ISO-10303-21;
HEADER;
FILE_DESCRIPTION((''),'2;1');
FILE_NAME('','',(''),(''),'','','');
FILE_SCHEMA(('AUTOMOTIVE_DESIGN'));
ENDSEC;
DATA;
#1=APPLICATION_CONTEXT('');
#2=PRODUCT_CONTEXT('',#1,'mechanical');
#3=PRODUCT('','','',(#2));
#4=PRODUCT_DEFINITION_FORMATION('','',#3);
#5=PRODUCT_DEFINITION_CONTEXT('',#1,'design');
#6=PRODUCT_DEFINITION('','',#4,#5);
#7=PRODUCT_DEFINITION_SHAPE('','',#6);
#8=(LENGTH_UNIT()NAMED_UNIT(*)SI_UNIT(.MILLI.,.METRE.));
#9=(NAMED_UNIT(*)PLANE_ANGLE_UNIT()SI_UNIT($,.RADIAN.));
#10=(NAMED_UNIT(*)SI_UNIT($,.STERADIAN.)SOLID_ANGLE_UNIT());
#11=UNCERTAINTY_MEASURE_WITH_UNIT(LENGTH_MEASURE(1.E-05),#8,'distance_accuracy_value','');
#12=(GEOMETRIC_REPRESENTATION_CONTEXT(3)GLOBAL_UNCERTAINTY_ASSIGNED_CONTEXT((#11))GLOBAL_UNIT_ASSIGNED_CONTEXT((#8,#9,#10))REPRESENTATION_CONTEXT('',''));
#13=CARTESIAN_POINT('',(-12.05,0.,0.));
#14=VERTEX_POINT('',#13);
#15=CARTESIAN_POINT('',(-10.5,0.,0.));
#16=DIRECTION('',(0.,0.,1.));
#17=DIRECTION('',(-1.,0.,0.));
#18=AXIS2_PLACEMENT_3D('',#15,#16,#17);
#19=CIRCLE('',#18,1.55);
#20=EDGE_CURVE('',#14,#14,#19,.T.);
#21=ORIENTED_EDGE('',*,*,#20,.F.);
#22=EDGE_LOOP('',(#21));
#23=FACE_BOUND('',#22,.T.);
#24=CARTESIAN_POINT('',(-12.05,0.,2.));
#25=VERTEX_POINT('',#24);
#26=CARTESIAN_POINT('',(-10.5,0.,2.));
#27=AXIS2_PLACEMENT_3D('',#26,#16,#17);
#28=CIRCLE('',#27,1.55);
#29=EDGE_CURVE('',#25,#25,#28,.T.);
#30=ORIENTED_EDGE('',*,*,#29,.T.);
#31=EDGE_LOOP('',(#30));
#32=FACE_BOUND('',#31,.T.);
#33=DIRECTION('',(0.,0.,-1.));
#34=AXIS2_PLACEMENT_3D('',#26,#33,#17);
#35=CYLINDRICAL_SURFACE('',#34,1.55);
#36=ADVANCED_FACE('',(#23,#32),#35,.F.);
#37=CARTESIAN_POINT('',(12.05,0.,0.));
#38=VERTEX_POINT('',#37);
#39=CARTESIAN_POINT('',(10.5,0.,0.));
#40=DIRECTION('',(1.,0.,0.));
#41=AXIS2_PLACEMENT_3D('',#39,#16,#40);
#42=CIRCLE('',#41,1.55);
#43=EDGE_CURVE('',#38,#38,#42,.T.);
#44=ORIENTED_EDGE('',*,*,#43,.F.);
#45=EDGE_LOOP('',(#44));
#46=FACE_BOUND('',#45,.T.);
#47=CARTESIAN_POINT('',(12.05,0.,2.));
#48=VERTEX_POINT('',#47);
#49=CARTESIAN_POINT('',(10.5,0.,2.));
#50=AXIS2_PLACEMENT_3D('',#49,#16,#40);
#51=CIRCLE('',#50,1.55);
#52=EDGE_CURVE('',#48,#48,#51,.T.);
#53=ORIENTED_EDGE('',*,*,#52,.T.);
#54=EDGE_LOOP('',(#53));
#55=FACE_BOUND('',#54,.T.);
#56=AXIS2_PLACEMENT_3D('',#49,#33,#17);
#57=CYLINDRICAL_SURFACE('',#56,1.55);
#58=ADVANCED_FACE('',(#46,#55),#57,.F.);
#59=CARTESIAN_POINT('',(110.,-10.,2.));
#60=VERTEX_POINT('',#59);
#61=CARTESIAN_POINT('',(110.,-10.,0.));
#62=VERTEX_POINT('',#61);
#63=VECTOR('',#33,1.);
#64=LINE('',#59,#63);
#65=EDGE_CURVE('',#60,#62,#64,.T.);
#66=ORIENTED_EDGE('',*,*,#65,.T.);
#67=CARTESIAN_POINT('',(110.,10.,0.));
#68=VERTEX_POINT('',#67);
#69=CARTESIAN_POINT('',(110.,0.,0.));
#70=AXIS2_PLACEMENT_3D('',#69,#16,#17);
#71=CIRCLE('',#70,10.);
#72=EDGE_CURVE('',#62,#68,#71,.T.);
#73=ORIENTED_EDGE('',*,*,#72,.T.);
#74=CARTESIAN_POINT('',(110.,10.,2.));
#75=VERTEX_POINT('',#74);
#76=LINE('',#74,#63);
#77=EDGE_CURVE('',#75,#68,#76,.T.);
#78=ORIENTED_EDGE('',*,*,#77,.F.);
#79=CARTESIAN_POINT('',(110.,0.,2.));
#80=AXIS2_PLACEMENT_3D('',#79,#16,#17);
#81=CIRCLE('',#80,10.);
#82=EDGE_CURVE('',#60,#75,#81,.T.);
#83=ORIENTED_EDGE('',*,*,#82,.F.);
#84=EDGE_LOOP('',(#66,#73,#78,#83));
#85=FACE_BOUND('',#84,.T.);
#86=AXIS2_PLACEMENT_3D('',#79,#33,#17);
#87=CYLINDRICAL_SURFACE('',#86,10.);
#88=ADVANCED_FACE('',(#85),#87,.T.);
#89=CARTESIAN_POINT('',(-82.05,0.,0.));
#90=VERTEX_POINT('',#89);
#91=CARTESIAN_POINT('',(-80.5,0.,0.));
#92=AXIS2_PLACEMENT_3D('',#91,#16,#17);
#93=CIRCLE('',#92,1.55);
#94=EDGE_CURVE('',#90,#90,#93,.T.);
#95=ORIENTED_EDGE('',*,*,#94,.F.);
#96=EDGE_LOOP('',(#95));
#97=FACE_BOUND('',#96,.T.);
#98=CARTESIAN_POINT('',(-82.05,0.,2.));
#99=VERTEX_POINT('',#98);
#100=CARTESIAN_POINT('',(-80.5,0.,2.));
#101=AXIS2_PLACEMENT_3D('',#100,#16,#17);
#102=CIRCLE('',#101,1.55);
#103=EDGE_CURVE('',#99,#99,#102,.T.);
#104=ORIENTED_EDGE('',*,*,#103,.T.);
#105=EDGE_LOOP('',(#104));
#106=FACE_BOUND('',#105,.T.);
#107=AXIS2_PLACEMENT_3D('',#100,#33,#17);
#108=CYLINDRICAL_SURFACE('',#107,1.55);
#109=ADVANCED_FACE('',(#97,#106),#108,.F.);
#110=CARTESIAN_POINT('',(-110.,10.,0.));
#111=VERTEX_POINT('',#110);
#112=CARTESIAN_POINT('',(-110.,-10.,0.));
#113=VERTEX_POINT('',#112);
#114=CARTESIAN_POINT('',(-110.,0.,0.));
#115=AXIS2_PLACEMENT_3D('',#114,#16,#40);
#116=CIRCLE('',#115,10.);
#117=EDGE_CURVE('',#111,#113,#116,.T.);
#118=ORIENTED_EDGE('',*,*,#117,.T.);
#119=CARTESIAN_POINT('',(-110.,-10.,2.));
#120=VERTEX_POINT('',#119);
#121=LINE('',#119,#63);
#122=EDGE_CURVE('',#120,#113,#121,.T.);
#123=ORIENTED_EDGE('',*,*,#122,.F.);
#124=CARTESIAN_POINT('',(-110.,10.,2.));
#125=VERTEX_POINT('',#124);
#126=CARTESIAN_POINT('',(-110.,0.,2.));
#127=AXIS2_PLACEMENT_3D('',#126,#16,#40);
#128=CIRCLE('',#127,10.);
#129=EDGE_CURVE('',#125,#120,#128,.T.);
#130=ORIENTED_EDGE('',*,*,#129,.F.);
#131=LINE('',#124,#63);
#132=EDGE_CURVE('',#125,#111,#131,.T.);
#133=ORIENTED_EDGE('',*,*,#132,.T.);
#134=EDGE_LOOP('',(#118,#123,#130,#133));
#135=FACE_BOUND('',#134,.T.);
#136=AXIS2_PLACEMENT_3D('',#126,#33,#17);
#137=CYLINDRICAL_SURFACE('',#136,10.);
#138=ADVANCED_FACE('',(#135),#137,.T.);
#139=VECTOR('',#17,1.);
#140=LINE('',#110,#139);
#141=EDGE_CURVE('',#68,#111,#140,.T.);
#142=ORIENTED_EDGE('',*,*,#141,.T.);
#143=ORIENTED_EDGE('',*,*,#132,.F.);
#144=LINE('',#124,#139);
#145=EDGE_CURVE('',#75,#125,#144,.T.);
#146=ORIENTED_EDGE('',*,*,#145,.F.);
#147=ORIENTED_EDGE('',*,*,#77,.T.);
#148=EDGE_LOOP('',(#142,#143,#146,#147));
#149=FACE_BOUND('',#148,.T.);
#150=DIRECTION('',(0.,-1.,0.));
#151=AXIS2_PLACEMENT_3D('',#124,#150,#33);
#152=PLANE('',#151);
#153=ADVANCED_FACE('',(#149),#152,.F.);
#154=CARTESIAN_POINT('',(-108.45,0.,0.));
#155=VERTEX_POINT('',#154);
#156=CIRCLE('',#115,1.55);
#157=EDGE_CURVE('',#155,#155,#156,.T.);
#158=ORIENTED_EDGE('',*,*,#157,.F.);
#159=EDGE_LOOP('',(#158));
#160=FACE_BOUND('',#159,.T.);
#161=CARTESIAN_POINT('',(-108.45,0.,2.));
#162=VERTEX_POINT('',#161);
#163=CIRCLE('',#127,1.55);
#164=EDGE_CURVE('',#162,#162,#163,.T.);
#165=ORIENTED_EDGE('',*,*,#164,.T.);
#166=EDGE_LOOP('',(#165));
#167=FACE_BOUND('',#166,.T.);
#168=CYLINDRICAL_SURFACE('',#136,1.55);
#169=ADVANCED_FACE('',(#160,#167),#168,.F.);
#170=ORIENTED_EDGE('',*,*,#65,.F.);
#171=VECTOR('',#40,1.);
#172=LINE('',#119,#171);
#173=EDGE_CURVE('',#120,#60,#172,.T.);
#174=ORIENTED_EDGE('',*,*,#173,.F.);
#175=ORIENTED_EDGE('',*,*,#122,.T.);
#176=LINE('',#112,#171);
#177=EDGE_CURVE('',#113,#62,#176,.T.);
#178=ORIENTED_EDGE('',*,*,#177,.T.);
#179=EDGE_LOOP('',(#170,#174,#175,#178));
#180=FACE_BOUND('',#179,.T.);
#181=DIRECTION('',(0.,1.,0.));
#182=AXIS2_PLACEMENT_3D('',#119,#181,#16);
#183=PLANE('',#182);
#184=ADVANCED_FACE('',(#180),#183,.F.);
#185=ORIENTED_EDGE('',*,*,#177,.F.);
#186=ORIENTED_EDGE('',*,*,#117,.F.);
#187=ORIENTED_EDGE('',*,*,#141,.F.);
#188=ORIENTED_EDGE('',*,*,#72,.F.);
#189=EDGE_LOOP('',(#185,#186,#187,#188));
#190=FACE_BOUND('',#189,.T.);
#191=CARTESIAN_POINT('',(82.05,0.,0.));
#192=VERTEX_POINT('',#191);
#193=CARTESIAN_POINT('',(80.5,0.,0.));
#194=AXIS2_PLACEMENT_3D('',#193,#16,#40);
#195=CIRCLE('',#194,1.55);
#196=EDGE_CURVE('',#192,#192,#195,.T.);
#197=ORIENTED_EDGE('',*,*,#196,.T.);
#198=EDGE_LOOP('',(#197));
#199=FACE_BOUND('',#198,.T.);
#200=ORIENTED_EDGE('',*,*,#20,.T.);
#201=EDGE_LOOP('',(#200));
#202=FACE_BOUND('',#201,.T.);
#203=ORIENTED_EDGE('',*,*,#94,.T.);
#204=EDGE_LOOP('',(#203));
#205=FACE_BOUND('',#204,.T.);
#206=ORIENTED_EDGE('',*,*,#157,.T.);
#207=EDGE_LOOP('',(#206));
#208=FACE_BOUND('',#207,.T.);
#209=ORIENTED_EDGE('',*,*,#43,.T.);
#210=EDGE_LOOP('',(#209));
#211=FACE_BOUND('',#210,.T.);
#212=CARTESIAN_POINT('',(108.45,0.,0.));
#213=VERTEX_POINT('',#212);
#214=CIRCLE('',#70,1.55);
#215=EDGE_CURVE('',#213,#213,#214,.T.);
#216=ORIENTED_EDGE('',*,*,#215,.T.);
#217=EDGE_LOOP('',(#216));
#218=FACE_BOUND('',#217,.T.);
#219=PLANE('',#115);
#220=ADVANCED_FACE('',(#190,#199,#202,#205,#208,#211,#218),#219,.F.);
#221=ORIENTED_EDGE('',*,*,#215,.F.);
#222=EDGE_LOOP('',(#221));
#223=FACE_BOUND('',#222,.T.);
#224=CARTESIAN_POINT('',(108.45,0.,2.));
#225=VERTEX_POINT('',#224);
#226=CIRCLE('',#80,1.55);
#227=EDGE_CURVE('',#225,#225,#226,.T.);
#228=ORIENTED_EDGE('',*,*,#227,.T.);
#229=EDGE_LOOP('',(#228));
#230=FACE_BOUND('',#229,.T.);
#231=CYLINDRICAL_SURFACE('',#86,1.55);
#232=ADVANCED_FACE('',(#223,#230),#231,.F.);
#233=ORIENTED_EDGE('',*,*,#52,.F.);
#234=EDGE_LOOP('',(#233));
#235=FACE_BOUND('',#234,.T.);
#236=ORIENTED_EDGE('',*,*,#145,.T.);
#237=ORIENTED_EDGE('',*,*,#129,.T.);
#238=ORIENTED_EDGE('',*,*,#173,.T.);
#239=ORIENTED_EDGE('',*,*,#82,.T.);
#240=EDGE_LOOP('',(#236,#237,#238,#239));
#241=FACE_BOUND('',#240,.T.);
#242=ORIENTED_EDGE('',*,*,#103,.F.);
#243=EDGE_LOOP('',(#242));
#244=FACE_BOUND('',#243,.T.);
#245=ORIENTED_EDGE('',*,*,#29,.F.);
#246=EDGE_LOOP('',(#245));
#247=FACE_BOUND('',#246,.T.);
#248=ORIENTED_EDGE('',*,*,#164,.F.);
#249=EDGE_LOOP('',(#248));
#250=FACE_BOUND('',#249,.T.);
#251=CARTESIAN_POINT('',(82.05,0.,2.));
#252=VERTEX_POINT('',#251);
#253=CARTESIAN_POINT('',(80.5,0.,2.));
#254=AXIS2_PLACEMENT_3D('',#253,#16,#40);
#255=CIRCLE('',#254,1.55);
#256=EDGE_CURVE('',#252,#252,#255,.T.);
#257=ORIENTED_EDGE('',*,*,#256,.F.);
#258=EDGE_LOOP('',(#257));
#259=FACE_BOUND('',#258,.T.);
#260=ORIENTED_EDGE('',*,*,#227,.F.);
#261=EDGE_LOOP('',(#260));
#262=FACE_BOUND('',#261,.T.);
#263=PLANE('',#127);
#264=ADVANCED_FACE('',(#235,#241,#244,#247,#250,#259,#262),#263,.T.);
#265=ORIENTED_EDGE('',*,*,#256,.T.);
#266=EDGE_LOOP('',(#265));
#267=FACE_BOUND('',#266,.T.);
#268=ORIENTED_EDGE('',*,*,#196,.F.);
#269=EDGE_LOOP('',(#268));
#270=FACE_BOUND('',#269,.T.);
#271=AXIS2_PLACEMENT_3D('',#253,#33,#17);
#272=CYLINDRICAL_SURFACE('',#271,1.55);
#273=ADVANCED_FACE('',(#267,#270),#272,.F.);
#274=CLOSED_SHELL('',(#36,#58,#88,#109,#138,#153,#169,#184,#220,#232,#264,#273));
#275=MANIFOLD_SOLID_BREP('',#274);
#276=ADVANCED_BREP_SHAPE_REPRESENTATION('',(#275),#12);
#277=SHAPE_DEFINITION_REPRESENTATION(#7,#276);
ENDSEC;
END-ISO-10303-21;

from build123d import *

# Parameters (mm, degrees)
SKETCH_1_R      = 1.55
EXTRUDE_1_DEPTH = 2


with BuildPart() as part:
    # 草图1 → 凸台-拉伸1 (new body)
    with BuildSketch(Plane.XY):
        with BuildLine():
            Line((-110, 10), (110, 10))
            ThreePointArc((110, 10), (120, 0), (110, -10))
            Line((110, -10), (-110, -10))
            ThreePointArc((-110, -10), (-120, 0), (-110, 10))
        make_face()
        with Locations((10.5, 0)):
            Circle(SKETCH_1_R, mode=Mode.SUBTRACT)
        with Locations((80.5, 0)):
            Circle(SKETCH_1_R, mode=Mode.SUBTRACT)
        with Locations(Location((-80.5, 0, 0), (0, 0, 180))):
            Circle(SKETCH_1_R, mode=Mode.SUBTRACT)
        with Locations(Location((-10.5, 0, 0), (0, 0, 180))):
            Circle(SKETCH_1_R, mode=Mode.SUBTRACT)
        with Locations((-110, 0)):
            Circle(SKETCH_1_R, mode=Mode.SUBTRACT)
        with Locations(Location((110, 0, 0), (0, 0, 180))):
            Circle(SKETCH_1_R, mode=Mode.SUBTRACT)
    extrude(amount=EXTRUDE_1_DEPTH)


solid = part.part
